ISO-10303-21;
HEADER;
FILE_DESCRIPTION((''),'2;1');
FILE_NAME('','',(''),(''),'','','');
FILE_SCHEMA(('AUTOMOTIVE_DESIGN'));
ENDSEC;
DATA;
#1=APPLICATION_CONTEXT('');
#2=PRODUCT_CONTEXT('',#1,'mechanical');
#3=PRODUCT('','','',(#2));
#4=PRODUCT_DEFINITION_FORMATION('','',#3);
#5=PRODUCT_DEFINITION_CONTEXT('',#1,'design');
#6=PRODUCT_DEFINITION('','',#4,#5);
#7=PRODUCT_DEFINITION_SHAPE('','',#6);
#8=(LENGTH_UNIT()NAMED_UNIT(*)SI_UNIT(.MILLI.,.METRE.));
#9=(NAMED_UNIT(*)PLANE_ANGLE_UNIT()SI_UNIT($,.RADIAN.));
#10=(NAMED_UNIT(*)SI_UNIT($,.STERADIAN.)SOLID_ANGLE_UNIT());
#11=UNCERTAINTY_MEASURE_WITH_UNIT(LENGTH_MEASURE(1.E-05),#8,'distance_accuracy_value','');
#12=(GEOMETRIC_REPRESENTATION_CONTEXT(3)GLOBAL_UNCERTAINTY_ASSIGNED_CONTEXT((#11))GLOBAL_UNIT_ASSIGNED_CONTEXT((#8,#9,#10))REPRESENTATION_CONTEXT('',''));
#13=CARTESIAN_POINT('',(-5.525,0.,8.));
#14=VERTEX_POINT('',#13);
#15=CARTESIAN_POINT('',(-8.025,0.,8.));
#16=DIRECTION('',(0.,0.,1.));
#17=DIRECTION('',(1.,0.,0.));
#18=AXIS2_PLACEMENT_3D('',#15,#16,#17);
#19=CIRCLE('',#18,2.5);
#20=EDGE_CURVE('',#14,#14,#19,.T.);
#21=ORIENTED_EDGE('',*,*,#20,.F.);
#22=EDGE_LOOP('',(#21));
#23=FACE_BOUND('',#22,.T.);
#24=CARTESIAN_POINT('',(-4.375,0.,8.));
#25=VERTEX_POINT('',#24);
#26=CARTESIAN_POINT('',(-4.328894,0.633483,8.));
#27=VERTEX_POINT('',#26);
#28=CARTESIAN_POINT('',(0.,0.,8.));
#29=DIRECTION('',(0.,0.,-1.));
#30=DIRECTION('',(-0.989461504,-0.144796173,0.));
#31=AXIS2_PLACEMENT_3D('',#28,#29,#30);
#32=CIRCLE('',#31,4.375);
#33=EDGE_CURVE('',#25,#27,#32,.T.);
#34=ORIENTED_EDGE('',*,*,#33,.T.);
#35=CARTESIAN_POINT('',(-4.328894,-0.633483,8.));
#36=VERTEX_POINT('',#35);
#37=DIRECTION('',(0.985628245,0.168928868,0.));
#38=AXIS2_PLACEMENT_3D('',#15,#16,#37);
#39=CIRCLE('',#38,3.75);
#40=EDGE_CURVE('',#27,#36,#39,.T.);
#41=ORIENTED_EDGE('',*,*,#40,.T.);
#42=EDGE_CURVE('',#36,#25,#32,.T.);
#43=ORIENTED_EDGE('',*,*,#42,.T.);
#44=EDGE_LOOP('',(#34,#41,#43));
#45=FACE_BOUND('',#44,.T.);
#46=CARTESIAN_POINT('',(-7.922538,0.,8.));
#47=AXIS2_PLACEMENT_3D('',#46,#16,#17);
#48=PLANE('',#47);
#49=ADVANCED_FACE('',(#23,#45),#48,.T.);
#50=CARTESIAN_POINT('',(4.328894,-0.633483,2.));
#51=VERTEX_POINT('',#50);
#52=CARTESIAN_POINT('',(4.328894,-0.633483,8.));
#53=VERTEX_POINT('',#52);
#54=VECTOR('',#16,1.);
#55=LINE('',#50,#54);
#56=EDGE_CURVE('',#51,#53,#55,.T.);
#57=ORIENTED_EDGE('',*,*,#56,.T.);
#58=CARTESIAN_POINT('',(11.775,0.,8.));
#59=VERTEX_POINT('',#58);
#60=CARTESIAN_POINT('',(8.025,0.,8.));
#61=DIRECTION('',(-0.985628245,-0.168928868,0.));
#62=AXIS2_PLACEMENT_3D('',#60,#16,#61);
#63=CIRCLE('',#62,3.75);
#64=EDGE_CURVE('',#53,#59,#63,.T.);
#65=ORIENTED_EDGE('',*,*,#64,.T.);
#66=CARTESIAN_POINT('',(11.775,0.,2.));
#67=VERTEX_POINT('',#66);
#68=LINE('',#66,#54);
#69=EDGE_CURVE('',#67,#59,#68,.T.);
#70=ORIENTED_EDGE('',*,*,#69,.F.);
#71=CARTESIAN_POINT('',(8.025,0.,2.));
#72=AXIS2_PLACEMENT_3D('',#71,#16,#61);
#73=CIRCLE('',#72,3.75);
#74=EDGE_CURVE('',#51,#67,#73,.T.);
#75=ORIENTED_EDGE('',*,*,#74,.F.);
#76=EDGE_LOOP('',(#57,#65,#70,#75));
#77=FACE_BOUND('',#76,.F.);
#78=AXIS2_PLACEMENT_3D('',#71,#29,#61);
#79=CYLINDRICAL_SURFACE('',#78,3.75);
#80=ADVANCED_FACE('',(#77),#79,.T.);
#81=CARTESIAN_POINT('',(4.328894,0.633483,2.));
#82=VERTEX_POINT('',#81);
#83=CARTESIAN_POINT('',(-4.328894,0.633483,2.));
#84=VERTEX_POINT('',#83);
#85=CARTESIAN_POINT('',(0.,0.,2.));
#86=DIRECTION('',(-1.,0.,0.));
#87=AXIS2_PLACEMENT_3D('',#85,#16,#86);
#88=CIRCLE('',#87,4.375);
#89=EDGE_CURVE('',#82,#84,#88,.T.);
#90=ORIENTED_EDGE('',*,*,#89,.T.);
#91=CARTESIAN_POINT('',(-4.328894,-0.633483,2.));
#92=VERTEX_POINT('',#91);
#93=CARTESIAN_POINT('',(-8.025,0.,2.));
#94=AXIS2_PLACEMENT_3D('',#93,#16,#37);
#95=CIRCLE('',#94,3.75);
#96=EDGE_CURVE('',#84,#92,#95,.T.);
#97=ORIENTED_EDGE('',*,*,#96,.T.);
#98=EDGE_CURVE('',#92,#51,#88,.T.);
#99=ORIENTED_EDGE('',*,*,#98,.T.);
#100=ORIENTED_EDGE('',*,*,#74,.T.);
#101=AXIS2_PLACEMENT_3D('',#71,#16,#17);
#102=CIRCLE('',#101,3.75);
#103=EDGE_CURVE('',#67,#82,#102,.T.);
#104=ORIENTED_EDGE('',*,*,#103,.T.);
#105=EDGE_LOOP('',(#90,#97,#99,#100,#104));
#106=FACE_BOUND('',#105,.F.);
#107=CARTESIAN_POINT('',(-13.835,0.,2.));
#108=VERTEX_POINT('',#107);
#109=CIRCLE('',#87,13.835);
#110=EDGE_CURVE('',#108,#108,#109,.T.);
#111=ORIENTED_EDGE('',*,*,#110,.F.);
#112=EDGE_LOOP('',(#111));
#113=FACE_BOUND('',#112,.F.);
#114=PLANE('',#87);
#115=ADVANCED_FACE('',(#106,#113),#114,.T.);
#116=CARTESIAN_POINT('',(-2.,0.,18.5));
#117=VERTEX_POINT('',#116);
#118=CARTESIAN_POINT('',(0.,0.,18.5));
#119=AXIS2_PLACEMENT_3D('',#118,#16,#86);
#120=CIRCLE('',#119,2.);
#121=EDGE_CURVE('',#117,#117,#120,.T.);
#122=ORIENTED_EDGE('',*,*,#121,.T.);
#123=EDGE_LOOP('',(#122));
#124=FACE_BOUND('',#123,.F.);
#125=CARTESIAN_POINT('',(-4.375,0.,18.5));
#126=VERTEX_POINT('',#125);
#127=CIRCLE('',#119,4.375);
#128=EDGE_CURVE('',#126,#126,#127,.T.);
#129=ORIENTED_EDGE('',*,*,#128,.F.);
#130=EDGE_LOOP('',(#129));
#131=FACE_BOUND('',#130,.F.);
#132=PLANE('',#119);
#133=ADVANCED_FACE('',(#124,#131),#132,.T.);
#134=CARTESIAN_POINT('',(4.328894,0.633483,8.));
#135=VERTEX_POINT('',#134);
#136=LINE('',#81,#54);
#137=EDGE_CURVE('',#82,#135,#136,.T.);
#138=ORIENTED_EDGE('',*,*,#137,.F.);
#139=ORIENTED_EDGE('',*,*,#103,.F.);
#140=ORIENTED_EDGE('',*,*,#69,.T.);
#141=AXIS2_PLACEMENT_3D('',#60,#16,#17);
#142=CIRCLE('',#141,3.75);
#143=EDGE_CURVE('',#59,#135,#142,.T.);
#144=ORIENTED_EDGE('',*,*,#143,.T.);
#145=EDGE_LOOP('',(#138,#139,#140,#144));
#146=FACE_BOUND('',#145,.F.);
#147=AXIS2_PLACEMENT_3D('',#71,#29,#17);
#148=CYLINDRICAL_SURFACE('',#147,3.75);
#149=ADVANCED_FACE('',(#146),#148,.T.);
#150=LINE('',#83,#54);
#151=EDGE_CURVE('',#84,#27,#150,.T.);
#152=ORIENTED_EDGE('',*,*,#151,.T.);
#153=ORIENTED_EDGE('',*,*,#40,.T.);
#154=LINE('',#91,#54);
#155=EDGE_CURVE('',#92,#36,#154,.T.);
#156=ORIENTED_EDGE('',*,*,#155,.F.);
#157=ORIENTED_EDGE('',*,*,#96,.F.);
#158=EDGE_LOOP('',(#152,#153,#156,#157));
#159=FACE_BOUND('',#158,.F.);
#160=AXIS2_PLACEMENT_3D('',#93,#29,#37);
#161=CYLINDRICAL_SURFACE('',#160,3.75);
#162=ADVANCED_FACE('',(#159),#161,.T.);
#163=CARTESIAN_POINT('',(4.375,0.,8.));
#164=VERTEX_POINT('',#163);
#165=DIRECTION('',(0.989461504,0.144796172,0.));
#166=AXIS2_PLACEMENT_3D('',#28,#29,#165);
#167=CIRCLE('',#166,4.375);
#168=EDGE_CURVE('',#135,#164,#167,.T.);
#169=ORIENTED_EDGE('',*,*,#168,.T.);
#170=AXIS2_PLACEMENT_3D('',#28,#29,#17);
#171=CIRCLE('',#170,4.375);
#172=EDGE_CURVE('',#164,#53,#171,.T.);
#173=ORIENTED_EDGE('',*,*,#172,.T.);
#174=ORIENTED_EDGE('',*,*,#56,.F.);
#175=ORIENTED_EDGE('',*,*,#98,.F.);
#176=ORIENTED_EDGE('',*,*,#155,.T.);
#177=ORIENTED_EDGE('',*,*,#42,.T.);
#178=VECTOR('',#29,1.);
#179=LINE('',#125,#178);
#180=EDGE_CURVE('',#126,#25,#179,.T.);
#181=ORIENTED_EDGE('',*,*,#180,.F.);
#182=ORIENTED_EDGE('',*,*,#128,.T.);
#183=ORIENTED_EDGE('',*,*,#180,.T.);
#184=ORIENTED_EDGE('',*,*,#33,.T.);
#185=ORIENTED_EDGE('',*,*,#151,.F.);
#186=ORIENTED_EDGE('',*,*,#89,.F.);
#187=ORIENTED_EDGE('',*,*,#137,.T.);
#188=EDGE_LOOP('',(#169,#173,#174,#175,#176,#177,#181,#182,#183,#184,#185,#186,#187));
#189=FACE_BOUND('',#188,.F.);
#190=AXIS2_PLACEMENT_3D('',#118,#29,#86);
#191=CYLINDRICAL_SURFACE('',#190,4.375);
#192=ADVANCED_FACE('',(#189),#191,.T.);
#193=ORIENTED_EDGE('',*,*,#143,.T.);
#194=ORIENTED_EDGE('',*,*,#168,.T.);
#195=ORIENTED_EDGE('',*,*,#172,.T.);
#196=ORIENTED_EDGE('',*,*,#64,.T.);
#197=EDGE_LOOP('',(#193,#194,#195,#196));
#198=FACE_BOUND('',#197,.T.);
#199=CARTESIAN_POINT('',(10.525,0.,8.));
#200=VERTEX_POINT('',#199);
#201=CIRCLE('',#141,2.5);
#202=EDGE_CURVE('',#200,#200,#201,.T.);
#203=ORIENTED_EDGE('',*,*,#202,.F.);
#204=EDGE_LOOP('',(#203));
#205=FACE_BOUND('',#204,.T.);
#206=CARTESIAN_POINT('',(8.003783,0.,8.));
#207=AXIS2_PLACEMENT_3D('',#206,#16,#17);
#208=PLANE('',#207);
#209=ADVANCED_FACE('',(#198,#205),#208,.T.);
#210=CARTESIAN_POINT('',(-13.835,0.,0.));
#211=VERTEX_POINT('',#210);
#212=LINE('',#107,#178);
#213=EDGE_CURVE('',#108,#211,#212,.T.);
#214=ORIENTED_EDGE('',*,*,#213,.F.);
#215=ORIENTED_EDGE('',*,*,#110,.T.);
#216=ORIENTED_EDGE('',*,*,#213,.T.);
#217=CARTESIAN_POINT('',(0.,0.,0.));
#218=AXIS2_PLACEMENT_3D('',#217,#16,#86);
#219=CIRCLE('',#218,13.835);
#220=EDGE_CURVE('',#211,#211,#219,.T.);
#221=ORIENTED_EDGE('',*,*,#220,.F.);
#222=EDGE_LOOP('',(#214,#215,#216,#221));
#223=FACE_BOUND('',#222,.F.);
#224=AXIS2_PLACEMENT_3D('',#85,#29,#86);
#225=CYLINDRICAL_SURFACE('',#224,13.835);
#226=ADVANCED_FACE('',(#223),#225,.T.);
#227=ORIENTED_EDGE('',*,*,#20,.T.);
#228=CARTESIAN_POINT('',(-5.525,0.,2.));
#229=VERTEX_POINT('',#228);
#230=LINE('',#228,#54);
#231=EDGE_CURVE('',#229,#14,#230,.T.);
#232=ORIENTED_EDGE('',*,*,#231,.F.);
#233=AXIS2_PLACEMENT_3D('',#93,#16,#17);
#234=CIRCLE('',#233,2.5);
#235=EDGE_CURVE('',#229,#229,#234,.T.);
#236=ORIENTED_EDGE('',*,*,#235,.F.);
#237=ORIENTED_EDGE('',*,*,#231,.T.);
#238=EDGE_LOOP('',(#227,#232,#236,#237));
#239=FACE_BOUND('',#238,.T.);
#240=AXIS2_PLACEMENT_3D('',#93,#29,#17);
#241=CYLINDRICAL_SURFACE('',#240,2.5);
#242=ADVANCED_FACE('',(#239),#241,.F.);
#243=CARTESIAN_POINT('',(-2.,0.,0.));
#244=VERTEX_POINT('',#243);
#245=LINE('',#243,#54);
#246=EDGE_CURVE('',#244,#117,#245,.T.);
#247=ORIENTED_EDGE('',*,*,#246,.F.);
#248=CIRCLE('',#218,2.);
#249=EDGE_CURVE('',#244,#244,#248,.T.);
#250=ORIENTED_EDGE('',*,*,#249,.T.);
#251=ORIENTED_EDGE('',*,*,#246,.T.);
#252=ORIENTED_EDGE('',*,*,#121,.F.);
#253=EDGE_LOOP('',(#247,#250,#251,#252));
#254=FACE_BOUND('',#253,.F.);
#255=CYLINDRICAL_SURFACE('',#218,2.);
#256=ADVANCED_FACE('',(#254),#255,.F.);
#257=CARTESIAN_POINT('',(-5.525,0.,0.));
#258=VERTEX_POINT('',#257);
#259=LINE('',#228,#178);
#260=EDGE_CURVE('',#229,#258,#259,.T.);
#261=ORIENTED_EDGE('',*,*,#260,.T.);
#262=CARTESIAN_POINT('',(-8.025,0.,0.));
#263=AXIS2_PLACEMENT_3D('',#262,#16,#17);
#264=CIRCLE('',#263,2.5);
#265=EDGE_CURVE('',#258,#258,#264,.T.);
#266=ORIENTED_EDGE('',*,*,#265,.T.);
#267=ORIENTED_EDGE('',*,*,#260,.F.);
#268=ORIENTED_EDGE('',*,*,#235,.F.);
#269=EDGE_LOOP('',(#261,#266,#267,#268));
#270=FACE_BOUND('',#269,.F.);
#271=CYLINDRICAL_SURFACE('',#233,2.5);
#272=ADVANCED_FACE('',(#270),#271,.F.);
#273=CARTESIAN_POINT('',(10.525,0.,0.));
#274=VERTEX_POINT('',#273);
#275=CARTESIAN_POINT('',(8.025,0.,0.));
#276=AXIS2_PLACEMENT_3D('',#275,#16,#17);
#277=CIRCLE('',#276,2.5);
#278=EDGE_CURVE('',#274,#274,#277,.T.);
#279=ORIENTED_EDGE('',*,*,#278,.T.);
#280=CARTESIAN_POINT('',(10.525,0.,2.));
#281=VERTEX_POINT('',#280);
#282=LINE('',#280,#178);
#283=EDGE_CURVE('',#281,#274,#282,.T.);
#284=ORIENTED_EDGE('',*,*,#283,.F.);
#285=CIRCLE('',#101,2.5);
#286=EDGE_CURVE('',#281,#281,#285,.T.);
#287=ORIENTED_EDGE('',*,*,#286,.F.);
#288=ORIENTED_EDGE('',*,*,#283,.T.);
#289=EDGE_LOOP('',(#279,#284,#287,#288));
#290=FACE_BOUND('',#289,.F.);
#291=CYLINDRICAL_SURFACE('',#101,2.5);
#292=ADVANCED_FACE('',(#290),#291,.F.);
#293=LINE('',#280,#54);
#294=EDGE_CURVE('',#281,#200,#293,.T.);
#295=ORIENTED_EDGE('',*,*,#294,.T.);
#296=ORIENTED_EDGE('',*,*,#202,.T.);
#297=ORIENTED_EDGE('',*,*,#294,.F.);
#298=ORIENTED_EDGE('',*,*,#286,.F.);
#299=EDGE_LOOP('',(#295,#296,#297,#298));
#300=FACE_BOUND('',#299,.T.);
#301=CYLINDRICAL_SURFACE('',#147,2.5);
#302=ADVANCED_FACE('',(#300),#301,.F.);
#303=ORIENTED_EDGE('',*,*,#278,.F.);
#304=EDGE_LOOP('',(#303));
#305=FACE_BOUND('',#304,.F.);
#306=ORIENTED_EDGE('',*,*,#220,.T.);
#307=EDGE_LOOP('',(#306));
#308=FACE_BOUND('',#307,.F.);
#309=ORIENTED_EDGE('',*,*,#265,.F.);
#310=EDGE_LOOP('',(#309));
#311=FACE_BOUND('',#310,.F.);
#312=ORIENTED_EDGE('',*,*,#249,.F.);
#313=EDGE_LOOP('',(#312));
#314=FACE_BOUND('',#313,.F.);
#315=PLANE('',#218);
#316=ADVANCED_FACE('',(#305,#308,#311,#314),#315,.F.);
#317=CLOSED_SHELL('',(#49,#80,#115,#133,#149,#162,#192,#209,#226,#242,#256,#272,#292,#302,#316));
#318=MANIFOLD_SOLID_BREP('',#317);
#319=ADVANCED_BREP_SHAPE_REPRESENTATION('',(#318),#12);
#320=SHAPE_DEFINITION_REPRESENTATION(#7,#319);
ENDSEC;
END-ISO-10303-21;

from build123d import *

# Parameters (mm, degrees)
F2_R     = 2.5
F3_DEPTH = 6
F4_DEPTH = 25


with BuildPart() as f1:
    # F0 (on Front) → F1 (revolve)
    with BuildSketch(Plane.XZ):
        Polygon((-4.375, 0), (-2, 0), (-2, 18.5), (-4.375, 18.5), (-4.375, 2), (-13.835, 2), (-13.835, 0), align=None)
    revolve(axis=Axis((0, 0, 9.25), (0, 0, 1)))

    # F2 (on face) → F3 (join)
    with BuildSketch(Plane.XY.offset(2)):
        with BuildLine():
            ThreePointArc((-4.328894081, -0.6334832559), (-4.375, 0), (-4.328894081, 0.6334832559))
            ThreePointArc((-4.328894081, 0.6334832559), (-11.775, 0), (-4.328894081, -0.6334832559))
        make_face()
        with Locations((-8.025, 0)):
            Circle(F2_R, mode=Mode.SUBTRACT)
        with BuildLine():
            ThreePointArc((11.775, 0), (8.3428858315, 3.7365021876), (4.328894081, 0.6334832559))
            ThreePointArc((4.328894081, 0.6334832559), (4.3634582961, 0.3175794354), (4.375, 0))
            ThreePointArc((4.375, 0), (4.3634582961, -0.3175794354), (4.328894081, -0.6334832559))
            ThreePointArc((4.328894081, -0.6334832559), (8.3428858315, -3.7365021876), (11.775, 0))
        make_face()
        with Locations((8.025, 0)):
            Circle(F2_R, mode=Mode.SUBTRACT)
    extrude(amount=F3_DEPTH)

    # F4 (cut): faces of the model
    f4_faces = [f1.faces().sort_by_distance(p)[0] for p in [
        (-8.025, 0, 2),
        (8.025, 0, 2),
    ]]
    extrude(f4_faces, amount=-F4_DEPTH, mode=Mode.SUBTRACT)


solid = f1.part
